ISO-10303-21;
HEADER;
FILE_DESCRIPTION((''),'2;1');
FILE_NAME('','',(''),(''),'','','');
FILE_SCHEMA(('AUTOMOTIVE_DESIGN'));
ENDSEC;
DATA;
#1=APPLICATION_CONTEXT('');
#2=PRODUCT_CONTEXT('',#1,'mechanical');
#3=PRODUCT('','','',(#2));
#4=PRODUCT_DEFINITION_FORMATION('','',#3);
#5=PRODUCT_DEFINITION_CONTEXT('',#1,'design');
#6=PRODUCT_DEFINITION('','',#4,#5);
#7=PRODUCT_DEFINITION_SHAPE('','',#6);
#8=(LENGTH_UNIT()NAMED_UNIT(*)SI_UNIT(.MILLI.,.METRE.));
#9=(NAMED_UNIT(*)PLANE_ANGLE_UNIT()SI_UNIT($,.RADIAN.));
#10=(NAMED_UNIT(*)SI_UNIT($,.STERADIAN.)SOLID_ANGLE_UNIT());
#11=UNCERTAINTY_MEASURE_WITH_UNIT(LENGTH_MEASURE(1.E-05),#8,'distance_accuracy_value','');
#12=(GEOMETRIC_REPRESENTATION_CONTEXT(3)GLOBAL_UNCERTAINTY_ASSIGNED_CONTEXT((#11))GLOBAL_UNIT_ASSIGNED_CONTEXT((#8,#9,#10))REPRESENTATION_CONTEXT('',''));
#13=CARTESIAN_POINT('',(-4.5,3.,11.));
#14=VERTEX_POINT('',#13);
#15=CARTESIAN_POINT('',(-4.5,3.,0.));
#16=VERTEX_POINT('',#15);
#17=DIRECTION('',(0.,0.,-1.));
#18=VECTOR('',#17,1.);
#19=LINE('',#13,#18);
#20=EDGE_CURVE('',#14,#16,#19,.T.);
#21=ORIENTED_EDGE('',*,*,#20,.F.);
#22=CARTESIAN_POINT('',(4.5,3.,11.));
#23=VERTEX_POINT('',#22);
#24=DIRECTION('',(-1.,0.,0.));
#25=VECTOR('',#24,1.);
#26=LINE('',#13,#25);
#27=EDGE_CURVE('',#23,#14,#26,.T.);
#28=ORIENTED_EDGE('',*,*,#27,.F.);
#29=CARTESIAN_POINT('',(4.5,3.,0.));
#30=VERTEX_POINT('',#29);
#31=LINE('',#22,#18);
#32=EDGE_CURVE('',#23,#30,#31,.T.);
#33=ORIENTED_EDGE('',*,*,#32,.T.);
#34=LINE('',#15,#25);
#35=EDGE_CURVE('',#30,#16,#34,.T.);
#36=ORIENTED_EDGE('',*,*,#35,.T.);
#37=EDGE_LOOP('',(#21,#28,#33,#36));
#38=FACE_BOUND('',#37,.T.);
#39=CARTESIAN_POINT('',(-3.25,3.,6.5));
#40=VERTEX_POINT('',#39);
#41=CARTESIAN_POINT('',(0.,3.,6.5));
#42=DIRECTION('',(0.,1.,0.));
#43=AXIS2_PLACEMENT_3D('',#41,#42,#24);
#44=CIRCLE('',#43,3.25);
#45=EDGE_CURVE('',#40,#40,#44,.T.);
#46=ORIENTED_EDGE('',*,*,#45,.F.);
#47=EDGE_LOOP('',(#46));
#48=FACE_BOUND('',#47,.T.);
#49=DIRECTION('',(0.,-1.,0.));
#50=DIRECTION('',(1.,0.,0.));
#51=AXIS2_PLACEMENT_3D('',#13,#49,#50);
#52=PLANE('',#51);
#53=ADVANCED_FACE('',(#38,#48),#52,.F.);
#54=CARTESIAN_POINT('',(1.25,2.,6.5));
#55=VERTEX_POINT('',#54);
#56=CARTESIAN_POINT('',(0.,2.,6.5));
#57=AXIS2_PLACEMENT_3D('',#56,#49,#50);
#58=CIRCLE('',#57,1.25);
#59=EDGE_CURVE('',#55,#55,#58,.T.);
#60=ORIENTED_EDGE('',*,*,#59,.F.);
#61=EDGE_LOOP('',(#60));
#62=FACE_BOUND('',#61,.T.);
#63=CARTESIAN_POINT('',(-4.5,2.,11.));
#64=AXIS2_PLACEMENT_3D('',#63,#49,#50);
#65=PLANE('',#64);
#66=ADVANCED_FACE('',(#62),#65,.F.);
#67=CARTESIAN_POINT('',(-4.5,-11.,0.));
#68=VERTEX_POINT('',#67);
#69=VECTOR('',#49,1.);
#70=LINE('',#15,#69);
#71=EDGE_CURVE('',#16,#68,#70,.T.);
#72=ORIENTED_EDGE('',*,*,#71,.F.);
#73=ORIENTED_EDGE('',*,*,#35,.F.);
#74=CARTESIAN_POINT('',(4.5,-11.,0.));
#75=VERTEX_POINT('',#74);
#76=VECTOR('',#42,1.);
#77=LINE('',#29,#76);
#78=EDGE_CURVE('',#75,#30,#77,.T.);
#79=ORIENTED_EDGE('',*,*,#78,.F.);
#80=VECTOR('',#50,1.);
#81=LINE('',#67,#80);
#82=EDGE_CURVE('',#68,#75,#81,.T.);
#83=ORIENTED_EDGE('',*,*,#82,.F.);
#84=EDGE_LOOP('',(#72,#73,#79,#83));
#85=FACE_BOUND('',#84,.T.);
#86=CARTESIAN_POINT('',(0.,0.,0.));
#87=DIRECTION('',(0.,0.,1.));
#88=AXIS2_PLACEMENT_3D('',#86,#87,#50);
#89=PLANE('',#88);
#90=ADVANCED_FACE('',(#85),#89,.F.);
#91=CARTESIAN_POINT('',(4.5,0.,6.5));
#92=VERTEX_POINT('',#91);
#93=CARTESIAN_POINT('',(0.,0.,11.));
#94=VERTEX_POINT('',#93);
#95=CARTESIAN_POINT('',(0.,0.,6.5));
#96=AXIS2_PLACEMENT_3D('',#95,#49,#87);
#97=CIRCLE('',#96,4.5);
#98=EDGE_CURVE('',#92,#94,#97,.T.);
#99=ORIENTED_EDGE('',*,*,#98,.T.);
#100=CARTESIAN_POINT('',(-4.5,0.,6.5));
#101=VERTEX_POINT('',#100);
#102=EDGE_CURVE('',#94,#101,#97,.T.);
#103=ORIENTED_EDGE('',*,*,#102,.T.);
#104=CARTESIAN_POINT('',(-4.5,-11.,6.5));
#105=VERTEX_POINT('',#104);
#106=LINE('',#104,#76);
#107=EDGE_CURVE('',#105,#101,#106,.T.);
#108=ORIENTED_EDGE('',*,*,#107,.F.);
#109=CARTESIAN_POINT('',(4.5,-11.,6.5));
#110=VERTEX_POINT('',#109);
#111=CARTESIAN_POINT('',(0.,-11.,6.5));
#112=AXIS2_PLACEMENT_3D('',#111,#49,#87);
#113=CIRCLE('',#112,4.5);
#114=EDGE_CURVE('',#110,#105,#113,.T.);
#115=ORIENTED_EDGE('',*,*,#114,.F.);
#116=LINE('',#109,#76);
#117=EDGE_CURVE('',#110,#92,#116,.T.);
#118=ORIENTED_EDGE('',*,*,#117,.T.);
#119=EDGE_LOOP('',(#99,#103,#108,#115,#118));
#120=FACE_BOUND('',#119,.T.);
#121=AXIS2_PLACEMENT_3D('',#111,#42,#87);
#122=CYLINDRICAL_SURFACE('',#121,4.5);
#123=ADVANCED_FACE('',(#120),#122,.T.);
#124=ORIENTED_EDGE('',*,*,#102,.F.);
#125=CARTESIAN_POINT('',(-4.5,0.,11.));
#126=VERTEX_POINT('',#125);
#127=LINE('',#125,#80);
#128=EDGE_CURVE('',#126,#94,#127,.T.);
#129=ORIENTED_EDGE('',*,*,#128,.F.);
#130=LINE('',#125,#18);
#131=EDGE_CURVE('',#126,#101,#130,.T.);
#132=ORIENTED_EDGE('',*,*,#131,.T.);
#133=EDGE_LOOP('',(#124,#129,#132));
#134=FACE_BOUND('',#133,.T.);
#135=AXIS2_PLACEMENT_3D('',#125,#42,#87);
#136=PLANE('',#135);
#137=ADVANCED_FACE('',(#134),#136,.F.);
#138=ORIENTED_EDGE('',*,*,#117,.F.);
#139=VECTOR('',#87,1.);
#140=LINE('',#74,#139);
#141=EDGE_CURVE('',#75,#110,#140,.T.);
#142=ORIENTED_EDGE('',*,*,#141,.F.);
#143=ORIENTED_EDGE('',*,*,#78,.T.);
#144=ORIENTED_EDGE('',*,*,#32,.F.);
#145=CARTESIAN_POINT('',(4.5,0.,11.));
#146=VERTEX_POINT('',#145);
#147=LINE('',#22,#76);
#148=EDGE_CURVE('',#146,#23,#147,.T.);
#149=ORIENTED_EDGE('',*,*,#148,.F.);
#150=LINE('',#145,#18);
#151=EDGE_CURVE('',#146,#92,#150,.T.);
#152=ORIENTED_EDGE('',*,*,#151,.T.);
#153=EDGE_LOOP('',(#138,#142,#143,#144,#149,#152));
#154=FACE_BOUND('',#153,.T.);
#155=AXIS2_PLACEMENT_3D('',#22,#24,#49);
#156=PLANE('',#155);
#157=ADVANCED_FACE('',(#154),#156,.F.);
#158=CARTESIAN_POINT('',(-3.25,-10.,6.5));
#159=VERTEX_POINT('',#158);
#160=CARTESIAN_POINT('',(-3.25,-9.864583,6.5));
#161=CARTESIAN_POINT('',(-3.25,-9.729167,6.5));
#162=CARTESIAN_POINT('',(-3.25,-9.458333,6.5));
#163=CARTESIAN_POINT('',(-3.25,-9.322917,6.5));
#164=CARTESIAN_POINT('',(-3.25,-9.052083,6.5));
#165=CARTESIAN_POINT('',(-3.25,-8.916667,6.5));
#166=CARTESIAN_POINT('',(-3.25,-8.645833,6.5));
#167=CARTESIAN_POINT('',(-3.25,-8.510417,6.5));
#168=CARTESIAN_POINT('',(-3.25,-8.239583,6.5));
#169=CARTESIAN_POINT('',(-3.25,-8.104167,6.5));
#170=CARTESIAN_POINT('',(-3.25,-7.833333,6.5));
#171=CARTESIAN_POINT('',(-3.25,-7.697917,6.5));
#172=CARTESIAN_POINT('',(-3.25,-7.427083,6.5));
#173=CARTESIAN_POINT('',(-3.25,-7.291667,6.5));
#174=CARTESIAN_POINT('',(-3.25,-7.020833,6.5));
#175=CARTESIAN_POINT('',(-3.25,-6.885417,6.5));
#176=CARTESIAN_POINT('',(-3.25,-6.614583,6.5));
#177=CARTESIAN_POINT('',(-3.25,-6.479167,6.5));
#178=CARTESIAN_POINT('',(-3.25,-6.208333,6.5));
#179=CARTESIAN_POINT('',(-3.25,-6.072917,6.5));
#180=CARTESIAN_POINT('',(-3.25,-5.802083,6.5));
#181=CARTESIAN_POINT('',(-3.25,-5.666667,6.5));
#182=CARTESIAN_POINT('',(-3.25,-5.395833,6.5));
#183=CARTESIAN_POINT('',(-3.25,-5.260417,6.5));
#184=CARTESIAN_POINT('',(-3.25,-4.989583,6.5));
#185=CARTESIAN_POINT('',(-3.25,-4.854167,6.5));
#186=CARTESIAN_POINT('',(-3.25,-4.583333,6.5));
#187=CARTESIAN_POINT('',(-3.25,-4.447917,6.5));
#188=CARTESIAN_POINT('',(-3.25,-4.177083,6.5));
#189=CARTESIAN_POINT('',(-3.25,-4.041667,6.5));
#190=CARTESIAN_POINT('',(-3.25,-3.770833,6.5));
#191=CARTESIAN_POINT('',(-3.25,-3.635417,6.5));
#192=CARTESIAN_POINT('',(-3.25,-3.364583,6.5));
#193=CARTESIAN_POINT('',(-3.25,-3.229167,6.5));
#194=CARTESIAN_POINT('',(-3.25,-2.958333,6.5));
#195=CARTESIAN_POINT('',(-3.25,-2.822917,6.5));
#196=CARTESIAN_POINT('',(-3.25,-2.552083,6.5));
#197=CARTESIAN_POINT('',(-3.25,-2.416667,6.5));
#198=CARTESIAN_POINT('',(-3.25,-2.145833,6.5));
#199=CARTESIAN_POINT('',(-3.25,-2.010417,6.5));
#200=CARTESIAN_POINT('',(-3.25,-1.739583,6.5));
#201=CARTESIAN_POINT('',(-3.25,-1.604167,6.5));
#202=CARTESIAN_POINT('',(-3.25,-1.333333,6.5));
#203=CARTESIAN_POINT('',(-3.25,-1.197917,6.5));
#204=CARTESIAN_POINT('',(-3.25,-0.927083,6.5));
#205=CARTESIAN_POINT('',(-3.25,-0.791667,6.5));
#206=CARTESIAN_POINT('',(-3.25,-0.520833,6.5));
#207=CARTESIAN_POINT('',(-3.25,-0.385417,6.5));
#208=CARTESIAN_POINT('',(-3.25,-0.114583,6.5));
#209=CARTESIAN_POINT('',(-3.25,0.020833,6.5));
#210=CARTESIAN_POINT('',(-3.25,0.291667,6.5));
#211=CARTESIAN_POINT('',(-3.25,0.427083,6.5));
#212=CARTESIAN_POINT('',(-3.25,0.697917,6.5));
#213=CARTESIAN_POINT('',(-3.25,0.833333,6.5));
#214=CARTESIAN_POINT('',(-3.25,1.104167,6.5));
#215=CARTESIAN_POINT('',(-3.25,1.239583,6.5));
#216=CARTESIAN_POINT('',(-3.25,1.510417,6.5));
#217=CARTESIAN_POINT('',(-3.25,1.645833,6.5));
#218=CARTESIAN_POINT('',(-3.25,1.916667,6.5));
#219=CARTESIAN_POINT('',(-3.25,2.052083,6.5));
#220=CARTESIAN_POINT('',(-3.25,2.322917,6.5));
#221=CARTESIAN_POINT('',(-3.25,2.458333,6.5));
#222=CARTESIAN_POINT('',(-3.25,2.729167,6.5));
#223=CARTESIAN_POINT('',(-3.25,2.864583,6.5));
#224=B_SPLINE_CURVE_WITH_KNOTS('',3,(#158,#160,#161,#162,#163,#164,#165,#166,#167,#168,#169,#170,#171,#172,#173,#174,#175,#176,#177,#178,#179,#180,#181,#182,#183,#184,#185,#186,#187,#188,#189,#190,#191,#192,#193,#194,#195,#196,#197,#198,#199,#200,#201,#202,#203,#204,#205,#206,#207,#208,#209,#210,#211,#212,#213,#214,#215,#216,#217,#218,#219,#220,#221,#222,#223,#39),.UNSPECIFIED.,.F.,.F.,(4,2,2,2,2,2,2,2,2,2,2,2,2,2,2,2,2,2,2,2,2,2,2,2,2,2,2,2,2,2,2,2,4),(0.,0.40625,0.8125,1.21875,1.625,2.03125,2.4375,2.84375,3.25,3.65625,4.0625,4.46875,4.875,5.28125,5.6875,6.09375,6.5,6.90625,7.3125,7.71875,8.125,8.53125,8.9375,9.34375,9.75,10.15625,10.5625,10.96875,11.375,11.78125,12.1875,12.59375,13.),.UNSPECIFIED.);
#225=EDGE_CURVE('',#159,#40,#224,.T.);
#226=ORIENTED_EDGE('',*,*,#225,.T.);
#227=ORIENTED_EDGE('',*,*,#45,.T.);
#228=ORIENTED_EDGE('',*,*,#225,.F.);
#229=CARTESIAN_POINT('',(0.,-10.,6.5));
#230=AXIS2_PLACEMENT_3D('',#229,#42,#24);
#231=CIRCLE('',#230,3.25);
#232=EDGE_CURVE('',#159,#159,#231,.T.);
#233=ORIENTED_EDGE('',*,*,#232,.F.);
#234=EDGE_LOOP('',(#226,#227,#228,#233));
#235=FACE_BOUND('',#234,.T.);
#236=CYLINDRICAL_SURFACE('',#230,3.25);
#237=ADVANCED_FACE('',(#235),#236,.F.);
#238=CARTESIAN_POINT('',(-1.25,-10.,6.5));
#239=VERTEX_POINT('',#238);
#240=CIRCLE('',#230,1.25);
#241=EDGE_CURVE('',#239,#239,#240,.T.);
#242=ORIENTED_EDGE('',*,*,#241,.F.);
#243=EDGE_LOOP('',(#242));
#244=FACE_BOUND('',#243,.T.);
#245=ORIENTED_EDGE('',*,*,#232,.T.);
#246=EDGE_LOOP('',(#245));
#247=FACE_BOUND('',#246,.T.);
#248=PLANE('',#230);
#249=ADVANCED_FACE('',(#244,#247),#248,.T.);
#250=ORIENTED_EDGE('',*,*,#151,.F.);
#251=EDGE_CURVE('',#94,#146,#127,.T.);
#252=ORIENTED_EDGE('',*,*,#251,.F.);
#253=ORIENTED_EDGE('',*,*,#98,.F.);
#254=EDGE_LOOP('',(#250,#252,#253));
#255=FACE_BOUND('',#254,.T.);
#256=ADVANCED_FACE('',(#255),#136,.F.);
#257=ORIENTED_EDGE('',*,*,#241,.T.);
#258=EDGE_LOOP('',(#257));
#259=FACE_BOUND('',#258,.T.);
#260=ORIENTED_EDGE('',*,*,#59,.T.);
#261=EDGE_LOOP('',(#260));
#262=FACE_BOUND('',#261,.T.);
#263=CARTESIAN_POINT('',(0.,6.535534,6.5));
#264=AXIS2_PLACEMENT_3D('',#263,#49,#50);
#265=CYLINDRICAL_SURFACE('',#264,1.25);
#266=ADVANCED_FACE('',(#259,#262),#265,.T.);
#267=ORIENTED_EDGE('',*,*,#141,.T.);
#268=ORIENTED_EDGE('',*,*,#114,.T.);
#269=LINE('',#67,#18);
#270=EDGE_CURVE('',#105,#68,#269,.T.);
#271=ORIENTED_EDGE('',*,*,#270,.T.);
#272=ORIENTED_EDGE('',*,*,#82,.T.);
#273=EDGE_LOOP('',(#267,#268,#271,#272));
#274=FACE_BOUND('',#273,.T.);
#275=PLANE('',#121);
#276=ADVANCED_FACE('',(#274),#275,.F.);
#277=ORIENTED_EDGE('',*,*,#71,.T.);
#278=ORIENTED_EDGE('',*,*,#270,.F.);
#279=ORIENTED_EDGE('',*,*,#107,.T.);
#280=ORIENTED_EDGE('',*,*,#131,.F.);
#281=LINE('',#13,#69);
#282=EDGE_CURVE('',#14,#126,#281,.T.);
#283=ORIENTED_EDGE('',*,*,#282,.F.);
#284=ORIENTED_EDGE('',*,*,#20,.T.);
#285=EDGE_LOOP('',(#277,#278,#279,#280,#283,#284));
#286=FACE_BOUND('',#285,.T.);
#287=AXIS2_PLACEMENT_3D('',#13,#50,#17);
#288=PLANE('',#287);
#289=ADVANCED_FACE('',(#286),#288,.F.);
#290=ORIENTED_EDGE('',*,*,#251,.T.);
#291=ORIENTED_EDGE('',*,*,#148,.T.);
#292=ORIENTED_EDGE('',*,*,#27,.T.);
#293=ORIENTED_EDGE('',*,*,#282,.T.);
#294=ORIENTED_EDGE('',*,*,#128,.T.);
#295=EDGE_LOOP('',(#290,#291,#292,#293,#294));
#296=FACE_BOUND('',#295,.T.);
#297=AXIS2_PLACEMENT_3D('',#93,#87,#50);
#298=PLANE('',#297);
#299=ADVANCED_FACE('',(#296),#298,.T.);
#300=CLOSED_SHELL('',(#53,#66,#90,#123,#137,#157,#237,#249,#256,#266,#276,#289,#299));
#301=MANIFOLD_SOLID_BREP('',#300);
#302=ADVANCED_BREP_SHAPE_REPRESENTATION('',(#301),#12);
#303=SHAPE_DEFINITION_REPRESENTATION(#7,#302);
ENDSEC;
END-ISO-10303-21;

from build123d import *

# Parameters (mm, degrees)
SKETCH1_W           = 9
SKETCH1_H           = 3
BOSS_EXTRUDE1_DEPTH = 11
BOSS_EXTRUDE2_DEPTH = 11
SKETCH3_R           = 3.25
CUT_EXTRUDE1_DEPTH  = 13
SKETCH4_R           = 1.25
BOSS_EXTRUDE3_DEPTH = 12


with BuildPart() as part:
    # Sketch1 → Boss-Extrude1 (new body)
    with BuildSketch(Plane.XY):
        with Locations((0, 1.5)):
            Rectangle(SKETCH1_W, SKETCH1_H)
    extrude(amount=BOSS_EXTRUDE1_DEPTH)

    # Sketch2 → Boss-Extrude2 (add)
    with BuildSketch(Plane.XZ):
        with BuildLine():
            Line((-4.5, 0), (4.5, 0))
            Line((4.5, 0), (4.5, 6.5))
            ThreePointArc((4.5, 6.5), (0, 11), (-4.5, 6.5))
            Line((-4.5, 6.5), (-4.5, 0))
        make_face()
    extrude(amount=BOSS_EXTRUDE2_DEPTH)

    # Sketch3 → Cut-Extrude1 (cut)
    with BuildSketch(Plane(origin=(0, 3, 0), x_dir=(1, 0, 0), z_dir=(0, 1, 0))):
        with Locations(Location((0, -6.5, 0), (0, 0, 180))):
            Circle(SKETCH3_R)
    extrude(amount=-CUT_EXTRUDE1_DEPTH, mode=Mode.SUBTRACT)

    # Sketch4 → Boss-Extrude3 (add)
    with BuildSketch(Plane(origin=(0, -10, 0), x_dir=(1, 0, 0), z_dir=(0, 1, 0))):
        with Locations((0, -6.5)):
            Circle(SKETCH4_R)
    extrude(amount=BOSS_EXTRUDE3_DEPTH)


solid = part.part
